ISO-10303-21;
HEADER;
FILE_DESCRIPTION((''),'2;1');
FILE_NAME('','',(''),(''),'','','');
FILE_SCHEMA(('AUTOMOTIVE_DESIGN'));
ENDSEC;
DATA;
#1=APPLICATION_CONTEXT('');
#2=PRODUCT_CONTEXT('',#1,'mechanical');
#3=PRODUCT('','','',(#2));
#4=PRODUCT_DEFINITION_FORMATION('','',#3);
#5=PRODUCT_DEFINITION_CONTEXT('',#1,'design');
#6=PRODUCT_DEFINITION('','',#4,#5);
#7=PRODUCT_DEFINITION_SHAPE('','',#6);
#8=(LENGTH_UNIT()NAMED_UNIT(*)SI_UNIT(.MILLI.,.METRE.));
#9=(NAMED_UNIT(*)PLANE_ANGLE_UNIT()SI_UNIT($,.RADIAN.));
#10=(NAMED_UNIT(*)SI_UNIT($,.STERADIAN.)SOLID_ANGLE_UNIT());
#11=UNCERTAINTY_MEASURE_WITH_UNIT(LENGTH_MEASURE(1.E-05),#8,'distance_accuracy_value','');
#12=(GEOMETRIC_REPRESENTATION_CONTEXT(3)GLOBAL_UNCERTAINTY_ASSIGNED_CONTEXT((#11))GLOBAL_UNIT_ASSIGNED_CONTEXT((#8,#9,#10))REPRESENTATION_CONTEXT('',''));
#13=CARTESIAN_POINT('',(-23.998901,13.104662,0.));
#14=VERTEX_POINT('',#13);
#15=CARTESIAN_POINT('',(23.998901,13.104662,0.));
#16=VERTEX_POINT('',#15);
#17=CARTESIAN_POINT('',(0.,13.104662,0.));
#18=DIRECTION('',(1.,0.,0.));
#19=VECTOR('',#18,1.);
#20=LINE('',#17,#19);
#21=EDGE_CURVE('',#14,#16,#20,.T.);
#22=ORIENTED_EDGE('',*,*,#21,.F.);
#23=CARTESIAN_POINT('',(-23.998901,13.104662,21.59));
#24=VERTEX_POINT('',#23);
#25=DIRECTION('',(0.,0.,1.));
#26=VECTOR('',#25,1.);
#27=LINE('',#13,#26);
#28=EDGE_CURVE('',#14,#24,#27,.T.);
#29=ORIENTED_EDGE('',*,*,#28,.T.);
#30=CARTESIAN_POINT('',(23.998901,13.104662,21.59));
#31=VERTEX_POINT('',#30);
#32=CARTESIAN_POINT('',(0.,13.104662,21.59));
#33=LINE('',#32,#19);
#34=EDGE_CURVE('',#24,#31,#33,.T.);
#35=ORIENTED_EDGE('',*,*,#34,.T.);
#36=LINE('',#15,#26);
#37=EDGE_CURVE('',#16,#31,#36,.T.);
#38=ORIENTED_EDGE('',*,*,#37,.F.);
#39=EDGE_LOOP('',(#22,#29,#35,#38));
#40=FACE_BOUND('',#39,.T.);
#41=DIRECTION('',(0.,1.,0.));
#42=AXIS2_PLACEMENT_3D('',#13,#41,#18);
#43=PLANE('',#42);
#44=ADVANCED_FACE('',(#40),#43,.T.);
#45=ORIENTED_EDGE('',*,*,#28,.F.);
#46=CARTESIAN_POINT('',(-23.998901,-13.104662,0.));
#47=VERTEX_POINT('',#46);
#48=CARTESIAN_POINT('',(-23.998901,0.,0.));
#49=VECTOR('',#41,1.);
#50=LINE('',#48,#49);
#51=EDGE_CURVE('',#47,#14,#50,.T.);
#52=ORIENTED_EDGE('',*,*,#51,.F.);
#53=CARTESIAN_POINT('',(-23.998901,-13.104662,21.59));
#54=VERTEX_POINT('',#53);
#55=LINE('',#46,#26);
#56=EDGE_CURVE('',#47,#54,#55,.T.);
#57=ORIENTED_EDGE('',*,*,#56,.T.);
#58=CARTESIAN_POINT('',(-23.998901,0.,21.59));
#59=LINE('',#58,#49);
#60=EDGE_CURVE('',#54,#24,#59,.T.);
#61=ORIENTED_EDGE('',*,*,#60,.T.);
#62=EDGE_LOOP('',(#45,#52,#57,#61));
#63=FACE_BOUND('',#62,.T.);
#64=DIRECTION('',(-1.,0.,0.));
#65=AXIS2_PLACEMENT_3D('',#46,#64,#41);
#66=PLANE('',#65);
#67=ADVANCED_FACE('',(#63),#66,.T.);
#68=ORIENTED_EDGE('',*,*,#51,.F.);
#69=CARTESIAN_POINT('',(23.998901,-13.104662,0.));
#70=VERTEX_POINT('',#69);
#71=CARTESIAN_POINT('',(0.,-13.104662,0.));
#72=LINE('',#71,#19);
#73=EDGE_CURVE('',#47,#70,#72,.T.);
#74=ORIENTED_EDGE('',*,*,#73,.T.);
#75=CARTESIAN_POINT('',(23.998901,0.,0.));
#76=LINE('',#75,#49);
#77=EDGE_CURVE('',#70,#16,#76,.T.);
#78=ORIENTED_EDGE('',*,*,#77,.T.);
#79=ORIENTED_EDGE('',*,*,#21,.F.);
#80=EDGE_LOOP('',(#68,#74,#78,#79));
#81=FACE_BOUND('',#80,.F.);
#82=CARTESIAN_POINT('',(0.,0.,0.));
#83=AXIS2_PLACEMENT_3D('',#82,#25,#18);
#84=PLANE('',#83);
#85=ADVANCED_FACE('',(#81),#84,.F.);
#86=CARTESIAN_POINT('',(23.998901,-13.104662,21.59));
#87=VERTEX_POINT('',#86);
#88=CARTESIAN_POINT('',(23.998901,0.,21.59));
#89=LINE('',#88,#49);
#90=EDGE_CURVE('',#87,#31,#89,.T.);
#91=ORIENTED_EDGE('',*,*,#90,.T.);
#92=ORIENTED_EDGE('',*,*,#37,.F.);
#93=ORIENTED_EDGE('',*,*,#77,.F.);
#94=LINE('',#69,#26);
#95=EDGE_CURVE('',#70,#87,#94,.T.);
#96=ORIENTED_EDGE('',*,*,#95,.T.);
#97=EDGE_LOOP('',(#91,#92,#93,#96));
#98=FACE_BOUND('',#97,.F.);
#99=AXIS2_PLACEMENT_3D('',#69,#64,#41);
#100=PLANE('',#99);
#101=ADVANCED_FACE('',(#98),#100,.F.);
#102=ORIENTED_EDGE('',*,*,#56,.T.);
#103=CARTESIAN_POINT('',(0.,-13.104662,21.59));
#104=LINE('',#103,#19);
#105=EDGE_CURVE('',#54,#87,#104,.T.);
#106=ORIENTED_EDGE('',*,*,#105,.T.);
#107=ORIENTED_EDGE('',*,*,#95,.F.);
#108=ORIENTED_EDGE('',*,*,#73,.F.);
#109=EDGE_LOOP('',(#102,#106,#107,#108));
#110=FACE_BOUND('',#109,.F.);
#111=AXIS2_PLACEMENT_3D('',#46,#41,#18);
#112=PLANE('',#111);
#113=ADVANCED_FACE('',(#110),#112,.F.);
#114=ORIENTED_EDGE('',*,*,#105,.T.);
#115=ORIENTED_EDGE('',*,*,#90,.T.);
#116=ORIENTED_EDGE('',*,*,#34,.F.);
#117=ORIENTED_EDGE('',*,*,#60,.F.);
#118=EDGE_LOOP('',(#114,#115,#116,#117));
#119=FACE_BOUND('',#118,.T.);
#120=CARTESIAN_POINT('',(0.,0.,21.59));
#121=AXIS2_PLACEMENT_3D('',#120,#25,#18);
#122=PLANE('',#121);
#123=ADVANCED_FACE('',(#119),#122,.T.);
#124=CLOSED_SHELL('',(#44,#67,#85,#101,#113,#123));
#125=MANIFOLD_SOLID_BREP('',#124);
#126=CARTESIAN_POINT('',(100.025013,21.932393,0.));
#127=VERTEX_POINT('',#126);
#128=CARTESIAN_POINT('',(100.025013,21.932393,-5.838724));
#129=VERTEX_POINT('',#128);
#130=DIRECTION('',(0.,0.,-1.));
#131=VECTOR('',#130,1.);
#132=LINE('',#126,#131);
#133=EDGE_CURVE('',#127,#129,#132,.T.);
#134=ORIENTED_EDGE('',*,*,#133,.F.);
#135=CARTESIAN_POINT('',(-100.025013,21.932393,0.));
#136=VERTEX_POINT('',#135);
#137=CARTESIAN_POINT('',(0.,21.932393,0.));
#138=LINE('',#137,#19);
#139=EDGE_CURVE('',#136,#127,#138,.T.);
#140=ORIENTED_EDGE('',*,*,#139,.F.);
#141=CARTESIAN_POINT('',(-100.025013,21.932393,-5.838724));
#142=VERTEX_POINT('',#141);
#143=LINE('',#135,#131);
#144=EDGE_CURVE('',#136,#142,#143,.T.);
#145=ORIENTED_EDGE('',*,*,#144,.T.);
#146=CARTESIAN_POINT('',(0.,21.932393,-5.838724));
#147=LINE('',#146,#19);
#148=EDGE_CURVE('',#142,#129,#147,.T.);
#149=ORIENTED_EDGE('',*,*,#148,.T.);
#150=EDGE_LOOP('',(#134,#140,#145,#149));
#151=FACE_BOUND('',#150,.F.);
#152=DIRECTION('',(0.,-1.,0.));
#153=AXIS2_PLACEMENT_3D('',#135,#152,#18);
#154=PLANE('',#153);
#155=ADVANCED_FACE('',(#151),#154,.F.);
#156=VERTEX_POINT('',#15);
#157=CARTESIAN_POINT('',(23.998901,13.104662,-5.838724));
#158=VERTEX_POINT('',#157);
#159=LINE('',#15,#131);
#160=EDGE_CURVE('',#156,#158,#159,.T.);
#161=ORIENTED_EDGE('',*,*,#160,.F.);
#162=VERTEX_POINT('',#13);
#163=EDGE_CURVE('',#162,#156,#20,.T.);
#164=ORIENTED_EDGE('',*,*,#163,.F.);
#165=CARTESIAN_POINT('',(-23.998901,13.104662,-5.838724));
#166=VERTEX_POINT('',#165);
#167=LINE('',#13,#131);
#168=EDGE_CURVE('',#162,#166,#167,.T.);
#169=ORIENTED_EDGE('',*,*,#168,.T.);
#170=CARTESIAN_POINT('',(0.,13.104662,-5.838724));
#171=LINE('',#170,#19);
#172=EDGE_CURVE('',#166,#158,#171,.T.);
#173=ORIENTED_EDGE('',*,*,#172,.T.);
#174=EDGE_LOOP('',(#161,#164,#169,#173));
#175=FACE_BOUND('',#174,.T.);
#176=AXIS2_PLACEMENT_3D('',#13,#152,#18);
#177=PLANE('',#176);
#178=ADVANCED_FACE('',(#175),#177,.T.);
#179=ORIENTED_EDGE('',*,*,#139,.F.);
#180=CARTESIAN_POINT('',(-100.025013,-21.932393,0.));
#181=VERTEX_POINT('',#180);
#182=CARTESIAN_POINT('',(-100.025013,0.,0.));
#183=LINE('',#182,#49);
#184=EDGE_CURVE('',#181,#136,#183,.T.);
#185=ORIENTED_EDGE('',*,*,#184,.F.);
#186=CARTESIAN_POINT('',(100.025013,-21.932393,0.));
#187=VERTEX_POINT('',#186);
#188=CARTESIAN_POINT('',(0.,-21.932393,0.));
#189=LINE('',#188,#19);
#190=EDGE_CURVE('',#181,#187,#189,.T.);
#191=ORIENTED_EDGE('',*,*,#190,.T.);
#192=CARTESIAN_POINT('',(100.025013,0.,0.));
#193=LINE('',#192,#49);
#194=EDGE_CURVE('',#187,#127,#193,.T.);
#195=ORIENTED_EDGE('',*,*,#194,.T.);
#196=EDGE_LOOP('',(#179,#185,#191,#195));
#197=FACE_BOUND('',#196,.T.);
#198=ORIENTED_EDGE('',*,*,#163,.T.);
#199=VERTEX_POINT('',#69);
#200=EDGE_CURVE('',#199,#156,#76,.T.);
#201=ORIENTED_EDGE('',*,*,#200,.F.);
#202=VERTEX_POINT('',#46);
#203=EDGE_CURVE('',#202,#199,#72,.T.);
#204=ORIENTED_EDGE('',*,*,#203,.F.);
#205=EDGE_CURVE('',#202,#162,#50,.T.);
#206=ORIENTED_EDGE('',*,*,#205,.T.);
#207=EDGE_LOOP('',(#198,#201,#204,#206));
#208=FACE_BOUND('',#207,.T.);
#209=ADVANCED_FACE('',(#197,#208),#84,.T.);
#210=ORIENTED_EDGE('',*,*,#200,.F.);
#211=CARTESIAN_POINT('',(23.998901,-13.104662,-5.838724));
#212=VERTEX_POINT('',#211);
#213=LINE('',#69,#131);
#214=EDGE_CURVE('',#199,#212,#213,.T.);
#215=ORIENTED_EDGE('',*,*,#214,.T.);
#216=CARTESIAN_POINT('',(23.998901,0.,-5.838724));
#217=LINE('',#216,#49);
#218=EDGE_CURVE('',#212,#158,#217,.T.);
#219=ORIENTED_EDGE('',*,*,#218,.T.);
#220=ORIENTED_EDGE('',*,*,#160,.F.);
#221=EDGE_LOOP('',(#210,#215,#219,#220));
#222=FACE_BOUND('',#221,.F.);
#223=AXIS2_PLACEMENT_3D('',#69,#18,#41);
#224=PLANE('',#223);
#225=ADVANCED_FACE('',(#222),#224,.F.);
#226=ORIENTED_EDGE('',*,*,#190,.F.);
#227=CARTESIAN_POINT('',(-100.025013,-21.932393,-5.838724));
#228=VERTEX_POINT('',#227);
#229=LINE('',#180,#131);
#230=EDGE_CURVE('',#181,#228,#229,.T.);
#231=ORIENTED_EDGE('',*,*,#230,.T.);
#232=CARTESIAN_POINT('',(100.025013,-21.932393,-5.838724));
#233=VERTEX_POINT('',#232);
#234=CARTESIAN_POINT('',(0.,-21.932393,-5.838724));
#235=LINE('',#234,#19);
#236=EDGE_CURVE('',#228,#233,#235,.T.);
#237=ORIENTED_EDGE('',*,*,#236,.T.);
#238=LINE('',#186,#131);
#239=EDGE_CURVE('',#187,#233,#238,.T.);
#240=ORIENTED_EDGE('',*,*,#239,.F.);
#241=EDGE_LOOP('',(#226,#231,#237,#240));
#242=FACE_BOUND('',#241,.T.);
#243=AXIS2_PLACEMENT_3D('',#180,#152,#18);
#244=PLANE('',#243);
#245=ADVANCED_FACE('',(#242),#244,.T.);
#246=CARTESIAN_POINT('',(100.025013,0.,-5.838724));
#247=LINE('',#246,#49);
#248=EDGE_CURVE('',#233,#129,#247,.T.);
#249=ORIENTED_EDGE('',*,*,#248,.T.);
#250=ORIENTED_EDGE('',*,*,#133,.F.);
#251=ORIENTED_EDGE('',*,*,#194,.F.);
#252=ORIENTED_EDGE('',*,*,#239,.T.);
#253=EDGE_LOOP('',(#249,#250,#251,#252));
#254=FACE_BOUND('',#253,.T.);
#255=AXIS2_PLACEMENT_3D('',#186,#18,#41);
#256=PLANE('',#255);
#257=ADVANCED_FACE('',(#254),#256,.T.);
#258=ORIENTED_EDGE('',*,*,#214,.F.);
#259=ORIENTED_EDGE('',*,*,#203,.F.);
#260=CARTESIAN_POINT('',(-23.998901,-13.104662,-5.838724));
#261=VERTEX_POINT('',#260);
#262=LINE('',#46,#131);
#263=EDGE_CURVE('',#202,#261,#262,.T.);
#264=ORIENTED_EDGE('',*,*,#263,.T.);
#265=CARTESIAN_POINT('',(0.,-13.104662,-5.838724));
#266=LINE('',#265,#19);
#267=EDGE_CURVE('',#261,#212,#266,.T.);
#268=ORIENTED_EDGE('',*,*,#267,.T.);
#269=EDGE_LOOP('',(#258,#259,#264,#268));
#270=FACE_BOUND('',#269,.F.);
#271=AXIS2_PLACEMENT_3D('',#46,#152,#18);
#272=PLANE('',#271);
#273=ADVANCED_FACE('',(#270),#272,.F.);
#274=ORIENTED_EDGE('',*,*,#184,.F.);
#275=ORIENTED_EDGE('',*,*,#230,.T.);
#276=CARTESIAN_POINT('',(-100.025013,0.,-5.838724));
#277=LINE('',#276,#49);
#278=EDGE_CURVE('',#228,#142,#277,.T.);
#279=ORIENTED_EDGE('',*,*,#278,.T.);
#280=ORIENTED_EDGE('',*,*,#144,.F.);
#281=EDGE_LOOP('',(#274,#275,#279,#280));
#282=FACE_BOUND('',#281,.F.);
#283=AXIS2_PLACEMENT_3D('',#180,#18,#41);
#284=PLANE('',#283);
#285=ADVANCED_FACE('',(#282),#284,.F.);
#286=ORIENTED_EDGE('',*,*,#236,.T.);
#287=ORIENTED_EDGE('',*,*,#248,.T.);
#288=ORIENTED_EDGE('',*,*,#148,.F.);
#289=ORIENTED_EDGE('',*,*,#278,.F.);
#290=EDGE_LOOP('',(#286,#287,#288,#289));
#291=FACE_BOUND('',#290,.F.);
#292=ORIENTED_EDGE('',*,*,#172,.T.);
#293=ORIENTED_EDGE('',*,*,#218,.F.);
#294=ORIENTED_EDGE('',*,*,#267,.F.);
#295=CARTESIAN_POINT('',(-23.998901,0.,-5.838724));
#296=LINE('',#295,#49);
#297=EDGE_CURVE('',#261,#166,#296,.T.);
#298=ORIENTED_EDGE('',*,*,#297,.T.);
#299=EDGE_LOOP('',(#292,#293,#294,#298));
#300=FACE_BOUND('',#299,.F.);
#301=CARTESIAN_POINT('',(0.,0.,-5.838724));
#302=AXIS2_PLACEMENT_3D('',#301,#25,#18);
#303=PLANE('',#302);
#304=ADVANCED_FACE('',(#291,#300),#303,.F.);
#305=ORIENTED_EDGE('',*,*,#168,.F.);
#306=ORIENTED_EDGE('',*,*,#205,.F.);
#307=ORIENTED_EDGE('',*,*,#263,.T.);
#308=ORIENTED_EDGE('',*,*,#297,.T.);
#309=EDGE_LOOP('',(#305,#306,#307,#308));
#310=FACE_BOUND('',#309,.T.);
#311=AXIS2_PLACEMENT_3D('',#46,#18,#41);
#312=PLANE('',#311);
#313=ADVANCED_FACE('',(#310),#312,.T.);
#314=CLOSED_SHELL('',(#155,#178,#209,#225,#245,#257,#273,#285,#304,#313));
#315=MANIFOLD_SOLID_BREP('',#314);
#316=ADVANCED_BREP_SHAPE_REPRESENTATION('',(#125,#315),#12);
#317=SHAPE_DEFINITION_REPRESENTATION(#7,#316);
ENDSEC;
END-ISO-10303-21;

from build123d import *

# Parameters (mm, degrees)
F0_W     = 47.997802
F0_H     = 26.209324
F1_DEPTH = 21.59
F0_W_2   = 200.050026
F0_H_2   = 43.864786
F2_DEPTH = 5.838724


with BuildPart() as f1:
    # F0 (on Top) → F1 (new body)
    with BuildSketch(Plane.XY):
        Rectangle(F0_W, F0_H)
    extrude(amount=F1_DEPTH)


with BuildPart() as f2:
    # F0 (on Top) → F2 (new body)
    with BuildSketch(Plane.XY):
        Rectangle(F0_W_2, F0_H_2)
        Rectangle(F0_W, F0_H, mode=Mode.SUBTRACT)
    extrude(amount=-F2_DEPTH)


solid = Compound([f1.part, f2.part])
